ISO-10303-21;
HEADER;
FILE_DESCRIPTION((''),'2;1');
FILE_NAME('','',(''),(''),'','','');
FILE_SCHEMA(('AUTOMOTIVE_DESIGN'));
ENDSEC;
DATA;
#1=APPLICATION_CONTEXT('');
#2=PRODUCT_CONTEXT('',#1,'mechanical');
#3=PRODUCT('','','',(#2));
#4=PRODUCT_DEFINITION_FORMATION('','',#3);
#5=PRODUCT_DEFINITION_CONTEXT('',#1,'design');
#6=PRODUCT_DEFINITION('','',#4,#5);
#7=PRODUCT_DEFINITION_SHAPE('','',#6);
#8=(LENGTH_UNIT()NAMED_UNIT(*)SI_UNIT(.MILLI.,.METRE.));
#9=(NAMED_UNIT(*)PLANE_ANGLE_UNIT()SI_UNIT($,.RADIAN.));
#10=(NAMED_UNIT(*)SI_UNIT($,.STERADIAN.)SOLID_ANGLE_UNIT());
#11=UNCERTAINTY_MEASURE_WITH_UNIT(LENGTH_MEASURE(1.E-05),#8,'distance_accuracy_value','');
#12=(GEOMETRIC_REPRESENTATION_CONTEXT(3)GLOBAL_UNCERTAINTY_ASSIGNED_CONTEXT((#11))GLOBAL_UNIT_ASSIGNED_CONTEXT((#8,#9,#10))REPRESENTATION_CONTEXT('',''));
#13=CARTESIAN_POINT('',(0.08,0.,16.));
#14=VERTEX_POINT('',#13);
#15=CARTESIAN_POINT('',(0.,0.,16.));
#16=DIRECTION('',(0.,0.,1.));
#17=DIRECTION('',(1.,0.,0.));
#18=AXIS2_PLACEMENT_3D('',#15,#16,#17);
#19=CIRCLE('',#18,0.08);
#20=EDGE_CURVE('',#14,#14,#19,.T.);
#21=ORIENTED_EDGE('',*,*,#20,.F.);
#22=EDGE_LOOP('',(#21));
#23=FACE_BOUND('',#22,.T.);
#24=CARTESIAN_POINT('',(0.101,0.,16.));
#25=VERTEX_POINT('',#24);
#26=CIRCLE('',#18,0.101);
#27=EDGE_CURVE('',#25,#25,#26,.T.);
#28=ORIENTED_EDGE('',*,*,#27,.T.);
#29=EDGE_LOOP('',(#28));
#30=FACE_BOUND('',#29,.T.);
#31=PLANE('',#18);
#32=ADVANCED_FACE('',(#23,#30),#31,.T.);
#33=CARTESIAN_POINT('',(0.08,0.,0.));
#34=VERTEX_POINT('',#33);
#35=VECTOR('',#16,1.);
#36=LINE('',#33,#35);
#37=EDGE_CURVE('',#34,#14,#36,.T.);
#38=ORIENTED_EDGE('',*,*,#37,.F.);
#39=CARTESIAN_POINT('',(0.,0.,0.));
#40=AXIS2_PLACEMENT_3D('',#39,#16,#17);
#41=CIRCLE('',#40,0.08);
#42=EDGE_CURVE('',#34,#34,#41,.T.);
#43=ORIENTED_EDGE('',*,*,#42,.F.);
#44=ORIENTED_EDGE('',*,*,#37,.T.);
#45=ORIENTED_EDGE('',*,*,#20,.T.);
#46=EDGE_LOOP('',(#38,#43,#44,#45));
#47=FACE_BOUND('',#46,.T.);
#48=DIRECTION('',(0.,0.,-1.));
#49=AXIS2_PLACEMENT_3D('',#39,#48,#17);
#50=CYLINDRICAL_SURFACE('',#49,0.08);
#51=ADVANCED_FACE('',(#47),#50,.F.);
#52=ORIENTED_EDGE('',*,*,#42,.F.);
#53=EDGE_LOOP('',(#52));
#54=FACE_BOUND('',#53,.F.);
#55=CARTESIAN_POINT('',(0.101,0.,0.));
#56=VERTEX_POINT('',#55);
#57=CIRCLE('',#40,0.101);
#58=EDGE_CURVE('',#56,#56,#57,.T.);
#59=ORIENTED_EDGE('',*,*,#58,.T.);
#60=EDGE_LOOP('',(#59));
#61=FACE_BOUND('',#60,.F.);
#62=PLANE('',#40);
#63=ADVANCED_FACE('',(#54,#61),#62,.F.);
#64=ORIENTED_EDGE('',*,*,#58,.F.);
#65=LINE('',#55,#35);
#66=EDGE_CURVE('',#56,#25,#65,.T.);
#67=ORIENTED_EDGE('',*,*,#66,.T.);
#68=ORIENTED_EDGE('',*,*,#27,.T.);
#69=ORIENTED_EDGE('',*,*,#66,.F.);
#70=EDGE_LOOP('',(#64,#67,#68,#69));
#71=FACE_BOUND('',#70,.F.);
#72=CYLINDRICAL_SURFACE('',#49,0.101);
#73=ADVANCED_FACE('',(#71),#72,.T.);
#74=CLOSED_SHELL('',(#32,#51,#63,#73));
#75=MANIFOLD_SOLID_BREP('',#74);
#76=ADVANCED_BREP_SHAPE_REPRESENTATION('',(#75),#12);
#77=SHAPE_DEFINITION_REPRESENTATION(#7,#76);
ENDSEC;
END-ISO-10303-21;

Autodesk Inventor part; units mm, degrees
ref_plane "YZ Plane" through (0, 0, 0) normal (1, 0, 0) x (0, 1, 0)
ref_plane "XZ Plane" through (0, 0, 0) normal (0, 1, 0) x (-1, 0, 0)
ref_plane "XY Plane" through (0, 0, 0) normal (0, 0, 1) x (1, 0, 0)
sketch "Sketch1" plane through (0, 0, 0) normal (0, 0, 1) x (1, 0, 0)
  circle A0 centre (0, 0) radius 0.101
  circle A1 centre (0, 0) radius 0.08
  dimension "d0" = 0.202
  dimension "d1" = 0.16
extrude "Extrusion1" add sketch "Sketch1" along normal blind 16
properties part number "Polyimide"
